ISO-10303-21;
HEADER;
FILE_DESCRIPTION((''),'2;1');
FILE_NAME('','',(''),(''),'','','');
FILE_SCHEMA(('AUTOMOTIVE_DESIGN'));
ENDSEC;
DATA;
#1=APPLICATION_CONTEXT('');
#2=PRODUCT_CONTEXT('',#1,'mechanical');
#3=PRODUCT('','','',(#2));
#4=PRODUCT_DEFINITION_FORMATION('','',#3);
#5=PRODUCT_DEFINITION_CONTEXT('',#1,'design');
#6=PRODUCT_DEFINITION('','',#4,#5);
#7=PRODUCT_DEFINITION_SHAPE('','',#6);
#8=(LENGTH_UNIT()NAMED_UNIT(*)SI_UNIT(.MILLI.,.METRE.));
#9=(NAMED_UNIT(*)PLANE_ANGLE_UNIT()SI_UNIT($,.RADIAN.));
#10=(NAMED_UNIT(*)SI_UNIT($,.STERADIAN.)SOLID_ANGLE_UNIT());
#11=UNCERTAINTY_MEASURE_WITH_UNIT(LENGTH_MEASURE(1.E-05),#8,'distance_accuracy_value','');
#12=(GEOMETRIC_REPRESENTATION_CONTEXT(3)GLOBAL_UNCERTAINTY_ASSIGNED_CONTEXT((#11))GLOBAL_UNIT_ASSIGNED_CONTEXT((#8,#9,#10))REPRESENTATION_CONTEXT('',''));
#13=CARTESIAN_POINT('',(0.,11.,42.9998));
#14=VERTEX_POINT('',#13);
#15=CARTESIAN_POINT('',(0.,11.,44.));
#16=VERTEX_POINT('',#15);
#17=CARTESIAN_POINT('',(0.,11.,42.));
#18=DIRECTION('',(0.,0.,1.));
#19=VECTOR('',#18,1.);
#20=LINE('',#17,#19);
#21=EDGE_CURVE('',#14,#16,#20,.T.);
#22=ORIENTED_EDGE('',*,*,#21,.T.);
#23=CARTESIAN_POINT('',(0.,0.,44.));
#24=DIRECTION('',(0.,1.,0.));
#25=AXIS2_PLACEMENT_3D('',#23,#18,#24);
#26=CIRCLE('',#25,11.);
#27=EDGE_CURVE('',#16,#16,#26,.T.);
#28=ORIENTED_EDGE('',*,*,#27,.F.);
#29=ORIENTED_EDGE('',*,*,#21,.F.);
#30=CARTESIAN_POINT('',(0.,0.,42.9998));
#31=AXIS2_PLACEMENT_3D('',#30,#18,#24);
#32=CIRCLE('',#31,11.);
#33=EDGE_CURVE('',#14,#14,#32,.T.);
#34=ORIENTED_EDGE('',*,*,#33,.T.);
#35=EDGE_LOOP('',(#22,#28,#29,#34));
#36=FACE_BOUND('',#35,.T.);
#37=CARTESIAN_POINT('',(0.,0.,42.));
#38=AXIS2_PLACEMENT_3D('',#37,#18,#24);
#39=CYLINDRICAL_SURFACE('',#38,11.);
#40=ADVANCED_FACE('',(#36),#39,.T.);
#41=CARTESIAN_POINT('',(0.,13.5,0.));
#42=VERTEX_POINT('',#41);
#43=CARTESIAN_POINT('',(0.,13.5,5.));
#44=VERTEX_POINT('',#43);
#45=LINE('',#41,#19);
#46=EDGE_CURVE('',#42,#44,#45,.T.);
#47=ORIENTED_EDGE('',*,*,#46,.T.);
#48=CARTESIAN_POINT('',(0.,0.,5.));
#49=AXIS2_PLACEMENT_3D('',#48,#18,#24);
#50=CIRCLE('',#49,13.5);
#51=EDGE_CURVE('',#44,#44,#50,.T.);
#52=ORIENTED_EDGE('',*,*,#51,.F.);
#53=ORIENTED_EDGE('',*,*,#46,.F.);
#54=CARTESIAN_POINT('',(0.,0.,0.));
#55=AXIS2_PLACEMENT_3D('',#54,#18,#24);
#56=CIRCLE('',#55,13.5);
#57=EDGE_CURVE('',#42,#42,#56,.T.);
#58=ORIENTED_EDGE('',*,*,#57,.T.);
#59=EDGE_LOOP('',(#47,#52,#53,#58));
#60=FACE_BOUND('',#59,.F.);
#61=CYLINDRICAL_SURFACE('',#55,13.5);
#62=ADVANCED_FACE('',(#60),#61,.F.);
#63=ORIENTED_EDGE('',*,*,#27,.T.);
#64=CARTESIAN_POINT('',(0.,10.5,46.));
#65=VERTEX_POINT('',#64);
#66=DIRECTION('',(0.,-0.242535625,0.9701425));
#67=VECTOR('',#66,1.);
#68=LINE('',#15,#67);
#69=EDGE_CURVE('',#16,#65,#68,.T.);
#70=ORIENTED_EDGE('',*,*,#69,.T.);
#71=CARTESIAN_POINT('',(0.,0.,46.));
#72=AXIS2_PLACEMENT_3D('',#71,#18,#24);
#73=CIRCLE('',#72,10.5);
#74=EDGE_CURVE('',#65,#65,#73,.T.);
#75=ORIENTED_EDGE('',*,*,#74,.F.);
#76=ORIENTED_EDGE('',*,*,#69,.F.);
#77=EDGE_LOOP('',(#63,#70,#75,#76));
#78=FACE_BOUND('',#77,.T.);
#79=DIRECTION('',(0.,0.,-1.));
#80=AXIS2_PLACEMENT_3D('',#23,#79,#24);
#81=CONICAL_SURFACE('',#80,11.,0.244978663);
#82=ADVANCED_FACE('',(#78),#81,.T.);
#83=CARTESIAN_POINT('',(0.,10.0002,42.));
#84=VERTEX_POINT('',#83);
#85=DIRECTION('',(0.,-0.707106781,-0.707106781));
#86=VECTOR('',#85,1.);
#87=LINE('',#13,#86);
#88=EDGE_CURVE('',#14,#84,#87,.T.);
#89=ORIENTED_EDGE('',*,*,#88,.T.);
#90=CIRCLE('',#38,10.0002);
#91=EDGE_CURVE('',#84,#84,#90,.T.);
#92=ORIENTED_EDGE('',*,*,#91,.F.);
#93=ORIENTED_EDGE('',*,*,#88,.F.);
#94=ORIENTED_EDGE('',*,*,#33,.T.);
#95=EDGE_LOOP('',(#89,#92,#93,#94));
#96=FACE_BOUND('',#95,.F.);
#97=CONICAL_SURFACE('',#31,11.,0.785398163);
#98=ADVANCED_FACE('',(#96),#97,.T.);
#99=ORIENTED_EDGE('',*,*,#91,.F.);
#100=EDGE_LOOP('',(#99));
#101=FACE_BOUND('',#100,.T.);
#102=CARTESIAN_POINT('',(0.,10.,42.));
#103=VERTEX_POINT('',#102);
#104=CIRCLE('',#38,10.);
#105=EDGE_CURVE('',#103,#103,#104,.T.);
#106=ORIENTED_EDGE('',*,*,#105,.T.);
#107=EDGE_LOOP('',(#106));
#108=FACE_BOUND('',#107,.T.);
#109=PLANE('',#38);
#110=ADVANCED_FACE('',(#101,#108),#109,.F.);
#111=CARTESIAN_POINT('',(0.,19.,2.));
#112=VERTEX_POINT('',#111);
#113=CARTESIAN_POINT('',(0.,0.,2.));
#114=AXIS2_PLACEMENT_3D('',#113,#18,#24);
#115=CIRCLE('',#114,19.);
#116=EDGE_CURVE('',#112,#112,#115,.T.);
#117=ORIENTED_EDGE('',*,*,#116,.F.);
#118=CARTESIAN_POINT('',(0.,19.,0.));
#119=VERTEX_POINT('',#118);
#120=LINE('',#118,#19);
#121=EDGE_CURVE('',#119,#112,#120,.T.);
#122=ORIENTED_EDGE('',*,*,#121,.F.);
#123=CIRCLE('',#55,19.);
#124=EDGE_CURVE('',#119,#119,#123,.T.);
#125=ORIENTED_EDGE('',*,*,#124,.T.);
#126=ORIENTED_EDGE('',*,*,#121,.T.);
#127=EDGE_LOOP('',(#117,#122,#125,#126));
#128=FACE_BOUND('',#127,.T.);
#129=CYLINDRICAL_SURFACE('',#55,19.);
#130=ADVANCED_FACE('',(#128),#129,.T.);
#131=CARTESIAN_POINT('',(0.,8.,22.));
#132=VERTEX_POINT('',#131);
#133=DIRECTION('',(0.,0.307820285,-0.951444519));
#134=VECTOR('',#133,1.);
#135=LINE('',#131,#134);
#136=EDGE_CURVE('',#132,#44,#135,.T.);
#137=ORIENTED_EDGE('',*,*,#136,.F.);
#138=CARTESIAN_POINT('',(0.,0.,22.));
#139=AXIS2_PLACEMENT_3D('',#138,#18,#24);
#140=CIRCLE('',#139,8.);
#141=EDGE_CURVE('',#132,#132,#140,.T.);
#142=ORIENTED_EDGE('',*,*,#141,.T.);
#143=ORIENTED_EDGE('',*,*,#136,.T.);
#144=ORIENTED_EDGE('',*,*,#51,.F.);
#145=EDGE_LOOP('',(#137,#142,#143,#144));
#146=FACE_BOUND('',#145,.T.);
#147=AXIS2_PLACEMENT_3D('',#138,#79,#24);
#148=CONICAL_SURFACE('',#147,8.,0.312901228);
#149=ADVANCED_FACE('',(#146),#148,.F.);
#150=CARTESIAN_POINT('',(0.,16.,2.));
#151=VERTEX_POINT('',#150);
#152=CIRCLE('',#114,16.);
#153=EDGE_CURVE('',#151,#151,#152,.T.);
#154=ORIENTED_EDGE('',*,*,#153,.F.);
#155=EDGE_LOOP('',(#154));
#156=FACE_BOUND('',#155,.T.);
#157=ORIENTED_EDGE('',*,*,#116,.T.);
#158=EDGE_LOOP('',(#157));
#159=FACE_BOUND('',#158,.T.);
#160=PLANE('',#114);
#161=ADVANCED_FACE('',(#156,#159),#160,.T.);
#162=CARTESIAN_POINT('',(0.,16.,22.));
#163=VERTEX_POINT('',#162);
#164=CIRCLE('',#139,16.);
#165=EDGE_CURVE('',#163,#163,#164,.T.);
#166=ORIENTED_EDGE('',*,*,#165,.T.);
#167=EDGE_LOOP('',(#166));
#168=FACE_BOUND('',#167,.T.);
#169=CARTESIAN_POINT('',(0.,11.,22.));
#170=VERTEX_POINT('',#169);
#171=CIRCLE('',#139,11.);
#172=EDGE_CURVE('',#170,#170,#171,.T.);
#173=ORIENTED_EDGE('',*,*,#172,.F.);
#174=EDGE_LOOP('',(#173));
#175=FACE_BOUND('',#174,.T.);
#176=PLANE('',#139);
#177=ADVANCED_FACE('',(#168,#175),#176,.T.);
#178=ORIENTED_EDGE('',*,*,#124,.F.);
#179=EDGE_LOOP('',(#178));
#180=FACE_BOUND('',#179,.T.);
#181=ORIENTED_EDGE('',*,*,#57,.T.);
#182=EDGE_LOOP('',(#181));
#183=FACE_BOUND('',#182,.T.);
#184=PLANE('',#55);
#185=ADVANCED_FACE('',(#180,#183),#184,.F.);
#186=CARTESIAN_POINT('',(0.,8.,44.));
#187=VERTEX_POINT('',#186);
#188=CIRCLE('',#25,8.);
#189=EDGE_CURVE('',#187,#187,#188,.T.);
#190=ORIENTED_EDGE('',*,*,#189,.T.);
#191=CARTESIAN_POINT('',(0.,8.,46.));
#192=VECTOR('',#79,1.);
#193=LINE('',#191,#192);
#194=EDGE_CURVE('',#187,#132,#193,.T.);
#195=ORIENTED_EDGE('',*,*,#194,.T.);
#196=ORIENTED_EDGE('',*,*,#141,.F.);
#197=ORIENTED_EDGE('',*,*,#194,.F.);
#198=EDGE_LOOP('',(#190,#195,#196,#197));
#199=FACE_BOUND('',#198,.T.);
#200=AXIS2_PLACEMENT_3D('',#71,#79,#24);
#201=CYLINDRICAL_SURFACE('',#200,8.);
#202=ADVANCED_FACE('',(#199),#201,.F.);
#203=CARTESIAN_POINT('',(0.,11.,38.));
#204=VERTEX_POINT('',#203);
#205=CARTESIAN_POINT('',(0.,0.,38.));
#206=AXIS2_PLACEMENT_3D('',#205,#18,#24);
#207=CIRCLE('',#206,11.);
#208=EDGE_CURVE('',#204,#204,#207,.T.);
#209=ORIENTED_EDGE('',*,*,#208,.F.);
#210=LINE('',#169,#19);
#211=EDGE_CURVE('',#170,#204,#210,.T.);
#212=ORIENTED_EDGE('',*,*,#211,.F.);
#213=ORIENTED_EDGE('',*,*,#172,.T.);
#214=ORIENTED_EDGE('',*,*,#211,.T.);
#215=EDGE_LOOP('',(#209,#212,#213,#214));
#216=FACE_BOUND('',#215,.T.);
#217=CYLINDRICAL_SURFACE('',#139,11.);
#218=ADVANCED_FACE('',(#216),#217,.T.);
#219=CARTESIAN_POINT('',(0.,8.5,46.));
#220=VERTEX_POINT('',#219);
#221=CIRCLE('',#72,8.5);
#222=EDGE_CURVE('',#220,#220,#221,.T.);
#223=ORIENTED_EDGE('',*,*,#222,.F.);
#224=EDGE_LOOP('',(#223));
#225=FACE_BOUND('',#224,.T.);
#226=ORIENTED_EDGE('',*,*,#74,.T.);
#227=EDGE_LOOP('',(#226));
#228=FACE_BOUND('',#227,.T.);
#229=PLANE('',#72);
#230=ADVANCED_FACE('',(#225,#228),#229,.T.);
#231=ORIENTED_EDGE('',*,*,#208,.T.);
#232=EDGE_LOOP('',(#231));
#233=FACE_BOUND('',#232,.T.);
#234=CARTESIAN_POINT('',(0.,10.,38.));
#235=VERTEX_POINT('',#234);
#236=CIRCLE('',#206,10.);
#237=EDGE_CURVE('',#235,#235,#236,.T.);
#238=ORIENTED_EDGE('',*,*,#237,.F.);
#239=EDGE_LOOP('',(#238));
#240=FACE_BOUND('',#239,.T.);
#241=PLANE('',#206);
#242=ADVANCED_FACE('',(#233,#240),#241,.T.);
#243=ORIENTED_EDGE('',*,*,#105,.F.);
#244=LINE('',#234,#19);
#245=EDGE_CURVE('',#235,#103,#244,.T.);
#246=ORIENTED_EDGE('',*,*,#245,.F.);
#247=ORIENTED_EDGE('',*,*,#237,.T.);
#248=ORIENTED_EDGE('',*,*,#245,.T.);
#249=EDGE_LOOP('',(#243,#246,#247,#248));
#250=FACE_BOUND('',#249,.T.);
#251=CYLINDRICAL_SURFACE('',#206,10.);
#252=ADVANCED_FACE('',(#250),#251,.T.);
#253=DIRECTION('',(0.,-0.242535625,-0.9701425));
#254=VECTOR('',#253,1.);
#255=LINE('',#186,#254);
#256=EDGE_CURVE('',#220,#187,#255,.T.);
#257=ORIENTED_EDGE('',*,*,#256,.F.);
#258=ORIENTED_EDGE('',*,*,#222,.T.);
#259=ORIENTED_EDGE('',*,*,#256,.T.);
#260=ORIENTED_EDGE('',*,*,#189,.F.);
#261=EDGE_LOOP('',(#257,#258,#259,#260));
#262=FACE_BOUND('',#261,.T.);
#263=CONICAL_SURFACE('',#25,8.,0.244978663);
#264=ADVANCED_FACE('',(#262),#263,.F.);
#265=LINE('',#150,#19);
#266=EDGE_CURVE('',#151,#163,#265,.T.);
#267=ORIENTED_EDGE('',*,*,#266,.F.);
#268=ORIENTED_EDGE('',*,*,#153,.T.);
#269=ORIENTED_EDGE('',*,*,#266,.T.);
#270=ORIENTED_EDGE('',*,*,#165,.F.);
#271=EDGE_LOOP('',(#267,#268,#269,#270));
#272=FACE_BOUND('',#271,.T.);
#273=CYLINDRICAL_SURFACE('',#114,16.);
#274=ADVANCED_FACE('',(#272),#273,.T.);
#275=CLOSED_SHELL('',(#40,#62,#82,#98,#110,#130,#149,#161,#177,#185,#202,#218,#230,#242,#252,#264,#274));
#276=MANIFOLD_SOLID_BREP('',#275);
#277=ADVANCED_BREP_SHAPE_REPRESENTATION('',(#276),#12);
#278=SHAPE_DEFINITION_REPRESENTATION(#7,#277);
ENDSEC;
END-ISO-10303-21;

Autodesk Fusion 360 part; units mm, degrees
sketch "Skizze1" plane through (0, 0, 0) normal (1, 0, 0) x (0, 1, 0) in component "Schlauchadapter-22mm-40mm NATO"
  line L0 (0, -8) -> (0, 92) construction
  line L1 (0, 0) -> (19, 0) construction
  line L2 (13.5, -8.8503) -> (13.5, 10.0011) construction
  line L3 (16, -9) -> (16, -8)
  line L4 (16, -8) -> (16, 12.6517) construction
  line L5 (8, 9.6655) -> (8, 11)
  line L6 (8, 11) -> (8, 32.4994) construction
  line L7 (13.5, 0) -> (19, 0)
  line L8 (19, 0) -> (19, 2)
  line L9 (19, 2) -> (16, 2)
  line L10 (16, 2) -> (16, 22)
  line L11 (13.5, 0) -> (13.5, 5)
  line L12 (16, 22) -> (-10.2408, 22) construction
  line L13 (11, 9.9222) -> (11, 30.0778) construction
  line L14 (16, 22) -> (11, 22)
  line L15 (11, 22) -> (11, 38)
  line L16 (8, 28.4613) -> (8, 38.3723) construction
  line L17 (10, 31.378) -> (10, 40.0422) construction
  line L18 (11, 38) -> (10, 38)
  line L19 (10, 38) -> (10, 42)
  line L20 (11, 38) -> (-2.5, 38) construction
  line L21 (8, 22) -> (8, 38)
  line L22 (11, 22) -> (11, 43) construction
  line L23 (10, 42) -> (11, 42)
  line L24 (11, 42) -> (11, 46)
  line L25 (11, 46) -> (8, 46)
  line L26 (8, 46) -> (8, 38)
  line L27 (8, 22) -> (13.5, 5)
  dimension "d16" = 19
  dimension "d17" = 13.5
  dimension "d18" = 16
  dimension "d19" = 8
  dimension "d20" = 2
  dimension "d21" = 20
  dimension "d22" = 5
  dimension "d23" = 11
  dimension "d24" = 16
  dimension "d25" = 8
  dimension "d26" = 10
  dimension "d27" = 4
  dimension "d28" = 4
revolve "Drehen1" add sketch "Skizze1" angle 360 about axis through (0, 0, -8) along (0, 0, 1) in component "Schlauchadapter-22mm-40mm NATO"
chamfer "Fase1" distance 2 distance2 0.5 1 edges at (-10.2556, 3.9778, 46) measured on face at (0.5483, 10.9863, 43.3333) in component "Schlauchadapter-22mm-40mm NATO"
chamfer "Fase2" distance 1 angle 45 1 edges at (-10.2556, 3.9778, 42) in component "Schlauchadapter-22mm-40mm NATO"
chamfer "Fase4" distance 0.5 distance2 2 1 edges at (-7.4586, 2.8929, 46) measured on face at (0.9191, 9.5978, 46) in component "Schlauchadapter-22mm-40mm NATO"
component "Schlauchadapter-22mm-40mm NATO" placed x (1, 0, 0) y (0, 1, 0) z (0, 0, 1) at (0, 0, 0)
